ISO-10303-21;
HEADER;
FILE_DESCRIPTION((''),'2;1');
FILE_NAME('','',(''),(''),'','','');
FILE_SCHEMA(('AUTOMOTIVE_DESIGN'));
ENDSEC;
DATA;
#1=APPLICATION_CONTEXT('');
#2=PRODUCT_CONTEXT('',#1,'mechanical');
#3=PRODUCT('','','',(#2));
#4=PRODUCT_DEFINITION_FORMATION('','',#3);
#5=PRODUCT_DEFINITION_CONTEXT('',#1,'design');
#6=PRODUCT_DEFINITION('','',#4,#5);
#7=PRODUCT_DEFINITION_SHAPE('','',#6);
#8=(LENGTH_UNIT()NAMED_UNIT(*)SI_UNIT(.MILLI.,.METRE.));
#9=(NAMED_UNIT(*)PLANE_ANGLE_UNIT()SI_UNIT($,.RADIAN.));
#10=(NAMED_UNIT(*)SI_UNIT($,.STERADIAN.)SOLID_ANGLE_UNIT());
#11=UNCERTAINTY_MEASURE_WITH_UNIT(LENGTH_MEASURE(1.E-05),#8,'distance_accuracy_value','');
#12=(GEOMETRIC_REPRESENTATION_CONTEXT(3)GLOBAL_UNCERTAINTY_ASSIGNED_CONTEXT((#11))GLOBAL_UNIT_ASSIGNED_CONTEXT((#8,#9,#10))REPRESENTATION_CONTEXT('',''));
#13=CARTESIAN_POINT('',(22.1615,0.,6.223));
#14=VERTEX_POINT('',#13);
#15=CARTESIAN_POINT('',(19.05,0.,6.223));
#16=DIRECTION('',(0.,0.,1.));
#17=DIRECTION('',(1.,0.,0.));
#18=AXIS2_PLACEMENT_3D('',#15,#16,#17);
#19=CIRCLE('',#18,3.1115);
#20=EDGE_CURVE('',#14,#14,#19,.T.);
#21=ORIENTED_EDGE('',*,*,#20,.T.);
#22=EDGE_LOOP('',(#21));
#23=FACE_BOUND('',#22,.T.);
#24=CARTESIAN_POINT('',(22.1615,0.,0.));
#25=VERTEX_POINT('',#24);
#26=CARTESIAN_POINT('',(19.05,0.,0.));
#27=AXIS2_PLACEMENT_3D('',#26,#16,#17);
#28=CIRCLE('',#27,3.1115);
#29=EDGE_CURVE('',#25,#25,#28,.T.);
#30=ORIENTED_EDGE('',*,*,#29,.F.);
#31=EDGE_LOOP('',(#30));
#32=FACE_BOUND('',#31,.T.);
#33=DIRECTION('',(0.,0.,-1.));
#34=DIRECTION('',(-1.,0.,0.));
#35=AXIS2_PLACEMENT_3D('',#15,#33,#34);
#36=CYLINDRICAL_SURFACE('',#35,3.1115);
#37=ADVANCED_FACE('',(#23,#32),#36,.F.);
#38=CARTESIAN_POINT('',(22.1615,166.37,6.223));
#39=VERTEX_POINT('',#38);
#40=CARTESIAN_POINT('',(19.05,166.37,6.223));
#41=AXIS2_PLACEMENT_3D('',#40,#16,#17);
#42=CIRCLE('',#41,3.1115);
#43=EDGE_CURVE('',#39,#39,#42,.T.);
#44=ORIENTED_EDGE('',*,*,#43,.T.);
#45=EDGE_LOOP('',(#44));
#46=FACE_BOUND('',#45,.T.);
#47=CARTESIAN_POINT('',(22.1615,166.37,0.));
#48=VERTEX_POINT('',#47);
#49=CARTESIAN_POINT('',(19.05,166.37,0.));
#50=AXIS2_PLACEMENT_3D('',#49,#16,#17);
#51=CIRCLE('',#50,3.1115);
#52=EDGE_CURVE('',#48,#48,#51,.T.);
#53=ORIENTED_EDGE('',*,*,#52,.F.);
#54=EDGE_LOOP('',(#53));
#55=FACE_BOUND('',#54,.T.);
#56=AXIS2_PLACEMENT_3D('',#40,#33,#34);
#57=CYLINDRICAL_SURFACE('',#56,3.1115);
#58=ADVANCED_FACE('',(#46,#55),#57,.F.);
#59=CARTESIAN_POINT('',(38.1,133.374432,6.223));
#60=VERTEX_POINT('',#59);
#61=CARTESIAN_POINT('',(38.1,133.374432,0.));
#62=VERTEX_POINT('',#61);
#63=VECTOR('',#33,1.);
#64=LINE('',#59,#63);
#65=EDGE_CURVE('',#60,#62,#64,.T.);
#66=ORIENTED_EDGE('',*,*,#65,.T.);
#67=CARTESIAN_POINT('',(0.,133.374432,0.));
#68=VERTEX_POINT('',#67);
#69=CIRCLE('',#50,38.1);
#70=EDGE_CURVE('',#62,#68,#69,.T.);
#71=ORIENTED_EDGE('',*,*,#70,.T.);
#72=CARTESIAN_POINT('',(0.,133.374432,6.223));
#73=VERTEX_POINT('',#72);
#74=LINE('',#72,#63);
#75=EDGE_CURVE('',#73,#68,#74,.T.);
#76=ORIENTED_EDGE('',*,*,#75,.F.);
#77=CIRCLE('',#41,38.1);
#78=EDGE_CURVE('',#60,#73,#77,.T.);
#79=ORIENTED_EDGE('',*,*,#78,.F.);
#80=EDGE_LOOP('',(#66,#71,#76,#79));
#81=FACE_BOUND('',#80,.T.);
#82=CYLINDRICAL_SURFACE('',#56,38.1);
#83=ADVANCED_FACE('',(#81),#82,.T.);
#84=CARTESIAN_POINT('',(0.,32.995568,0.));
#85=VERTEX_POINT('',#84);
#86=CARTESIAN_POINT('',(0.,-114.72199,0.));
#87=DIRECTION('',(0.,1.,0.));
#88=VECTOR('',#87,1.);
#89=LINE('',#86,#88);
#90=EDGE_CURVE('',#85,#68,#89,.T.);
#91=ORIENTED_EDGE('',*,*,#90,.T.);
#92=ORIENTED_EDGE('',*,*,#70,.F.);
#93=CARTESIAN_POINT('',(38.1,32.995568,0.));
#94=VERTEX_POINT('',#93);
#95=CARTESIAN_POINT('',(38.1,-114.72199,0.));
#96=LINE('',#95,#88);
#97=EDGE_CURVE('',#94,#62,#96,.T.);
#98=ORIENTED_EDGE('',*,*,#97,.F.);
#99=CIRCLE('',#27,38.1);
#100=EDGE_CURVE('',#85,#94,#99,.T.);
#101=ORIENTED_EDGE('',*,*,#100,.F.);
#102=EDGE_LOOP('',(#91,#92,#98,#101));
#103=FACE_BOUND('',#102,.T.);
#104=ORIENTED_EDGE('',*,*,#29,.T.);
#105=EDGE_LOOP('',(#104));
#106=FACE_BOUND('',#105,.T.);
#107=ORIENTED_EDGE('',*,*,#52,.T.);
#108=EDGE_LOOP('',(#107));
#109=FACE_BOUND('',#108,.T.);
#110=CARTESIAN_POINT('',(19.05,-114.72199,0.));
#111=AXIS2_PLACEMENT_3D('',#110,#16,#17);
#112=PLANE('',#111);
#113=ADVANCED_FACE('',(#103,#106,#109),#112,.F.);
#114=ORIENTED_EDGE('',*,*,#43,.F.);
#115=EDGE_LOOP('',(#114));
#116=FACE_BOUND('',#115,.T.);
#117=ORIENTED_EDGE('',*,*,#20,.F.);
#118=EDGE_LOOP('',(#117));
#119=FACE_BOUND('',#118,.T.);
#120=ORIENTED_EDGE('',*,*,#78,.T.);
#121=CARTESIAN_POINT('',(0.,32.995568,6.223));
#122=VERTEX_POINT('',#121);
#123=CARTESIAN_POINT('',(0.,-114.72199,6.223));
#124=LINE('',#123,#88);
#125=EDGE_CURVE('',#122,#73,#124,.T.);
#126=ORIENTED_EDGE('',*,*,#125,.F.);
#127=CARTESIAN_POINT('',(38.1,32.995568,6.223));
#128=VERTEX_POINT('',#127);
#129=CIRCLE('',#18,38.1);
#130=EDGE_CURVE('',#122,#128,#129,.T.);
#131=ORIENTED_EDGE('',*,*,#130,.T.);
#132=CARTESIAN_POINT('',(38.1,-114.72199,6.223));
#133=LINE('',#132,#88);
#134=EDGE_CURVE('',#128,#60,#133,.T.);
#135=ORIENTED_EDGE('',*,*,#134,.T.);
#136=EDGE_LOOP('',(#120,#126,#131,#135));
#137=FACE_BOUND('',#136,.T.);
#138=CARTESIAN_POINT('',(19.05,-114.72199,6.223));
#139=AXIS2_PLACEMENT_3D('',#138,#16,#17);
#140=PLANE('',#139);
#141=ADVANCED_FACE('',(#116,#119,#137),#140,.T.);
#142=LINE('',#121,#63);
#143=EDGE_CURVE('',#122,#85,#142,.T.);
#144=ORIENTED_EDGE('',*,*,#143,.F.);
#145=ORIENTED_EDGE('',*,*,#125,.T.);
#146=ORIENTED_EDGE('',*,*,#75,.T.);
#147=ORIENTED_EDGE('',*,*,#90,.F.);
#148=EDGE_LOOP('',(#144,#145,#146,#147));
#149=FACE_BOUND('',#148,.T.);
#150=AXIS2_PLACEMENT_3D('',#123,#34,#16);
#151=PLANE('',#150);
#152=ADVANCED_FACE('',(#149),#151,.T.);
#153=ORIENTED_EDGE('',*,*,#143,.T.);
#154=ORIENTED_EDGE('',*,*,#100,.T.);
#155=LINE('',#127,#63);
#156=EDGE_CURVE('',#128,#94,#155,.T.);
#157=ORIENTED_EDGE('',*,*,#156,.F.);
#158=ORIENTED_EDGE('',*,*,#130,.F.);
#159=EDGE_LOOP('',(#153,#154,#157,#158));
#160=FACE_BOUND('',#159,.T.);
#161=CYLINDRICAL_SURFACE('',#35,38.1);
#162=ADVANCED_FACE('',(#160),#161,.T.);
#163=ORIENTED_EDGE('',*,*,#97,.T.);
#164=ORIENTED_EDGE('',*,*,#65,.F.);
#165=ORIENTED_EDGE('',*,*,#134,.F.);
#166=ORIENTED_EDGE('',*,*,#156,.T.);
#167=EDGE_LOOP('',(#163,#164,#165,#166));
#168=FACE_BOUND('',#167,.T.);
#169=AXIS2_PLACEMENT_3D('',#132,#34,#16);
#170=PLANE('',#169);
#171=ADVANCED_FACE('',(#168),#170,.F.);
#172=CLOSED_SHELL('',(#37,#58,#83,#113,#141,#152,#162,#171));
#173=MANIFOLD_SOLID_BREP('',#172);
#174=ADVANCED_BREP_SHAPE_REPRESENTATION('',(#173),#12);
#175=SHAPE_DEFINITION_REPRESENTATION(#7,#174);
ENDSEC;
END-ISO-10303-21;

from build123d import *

# Parameters (mm, degrees)
BOSS_EXTRUDE1_DEPTH = 6.223


with BuildPart() as part:
    # Sketch1 → Boss-Extrude1 (new body)
    with BuildSketch(Plane.XY):
        with BuildLine():
            ThreePointArc((0, 133.374432116), (19.05, 128.27), (38.1, 133.374432116))
            Line((38.1, 133.374432116), (38.1, 166.37))
            Line((38.1, 166.37), (22.1615, 166.37))
            ThreePointArc((22.1615, 166.37), (19.05, 163.2585), (15.9385, 166.37))
            Line((15.9385, 166.37), (0, 166.37))
            Line((0, 166.37), (0, 133.374432116))
        make_face()
        with BuildLine():
            Line((38.1, 166.37), (38.1, 133.374432116))
            ThreePointArc((38.1, 133.374432116), (52.045567884, 147.32), (57.15, 166.37))
            ThreePointArc((57.15, 166.37), (0, 199.365567884), (0, 133.374432116))
            Line((0, 133.374432116), (0, 166.37))
            Line((0, 166.37), (15.9385, 166.37))
            ThreePointArc((15.9385, 166.37), (19.05, 169.4815), (22.1615, 166.37))
            Line((22.1615, 166.37), (38.1, 166.37))
        make_face()
        with BuildLine():
            ThreePointArc((0, 32.995567884), (19.05, 38.1), (38.1, 32.995567884))
            Line((38.1, 32.995567884), (38.1, 133.374432116))
            ThreePointArc((38.1, 133.374432116), (19.05, 128.27), (0, 133.374432116))
            Line((0, 133.374432116), (0, 32.995567884))
        make_face()
        with BuildLine():
            ThreePointArc((15.9385, 0), (19.05, 3.1115), (22.1615, 0))
            Line((22.1615, 0), (38.1, 0))
            Line((38.1, 0), (38.1, 32.995567884))
            ThreePointArc((38.1, 32.995567884), (19.05, 38.1), (0, 32.995567884))
            Line((0, 32.995567884), (0, 0))
            Line((0, 0), (15.9385, 0))
        make_face()
        with BuildLine():
            Line((38.1, 0), (22.1615, 0))
            ThreePointArc((22.1615, 0), (19.05, -3.1115), (15.9385, 0))
            Line((15.9385, 0), (0, 0))
            Line((0, 0), (0, 32.995567884))
            ThreePointArc((0, 32.995567884), (0, -32.995567884), (57.15, 0))
            ThreePointArc((57.15, 0), (52.045567884, 19.05), (38.1, 32.995567884))
            Line((38.1, 32.995567884), (38.1, 0))
        make_face()
    extrude(amount=BOSS_EXTRUDE1_DEPTH)


solid = part.part
